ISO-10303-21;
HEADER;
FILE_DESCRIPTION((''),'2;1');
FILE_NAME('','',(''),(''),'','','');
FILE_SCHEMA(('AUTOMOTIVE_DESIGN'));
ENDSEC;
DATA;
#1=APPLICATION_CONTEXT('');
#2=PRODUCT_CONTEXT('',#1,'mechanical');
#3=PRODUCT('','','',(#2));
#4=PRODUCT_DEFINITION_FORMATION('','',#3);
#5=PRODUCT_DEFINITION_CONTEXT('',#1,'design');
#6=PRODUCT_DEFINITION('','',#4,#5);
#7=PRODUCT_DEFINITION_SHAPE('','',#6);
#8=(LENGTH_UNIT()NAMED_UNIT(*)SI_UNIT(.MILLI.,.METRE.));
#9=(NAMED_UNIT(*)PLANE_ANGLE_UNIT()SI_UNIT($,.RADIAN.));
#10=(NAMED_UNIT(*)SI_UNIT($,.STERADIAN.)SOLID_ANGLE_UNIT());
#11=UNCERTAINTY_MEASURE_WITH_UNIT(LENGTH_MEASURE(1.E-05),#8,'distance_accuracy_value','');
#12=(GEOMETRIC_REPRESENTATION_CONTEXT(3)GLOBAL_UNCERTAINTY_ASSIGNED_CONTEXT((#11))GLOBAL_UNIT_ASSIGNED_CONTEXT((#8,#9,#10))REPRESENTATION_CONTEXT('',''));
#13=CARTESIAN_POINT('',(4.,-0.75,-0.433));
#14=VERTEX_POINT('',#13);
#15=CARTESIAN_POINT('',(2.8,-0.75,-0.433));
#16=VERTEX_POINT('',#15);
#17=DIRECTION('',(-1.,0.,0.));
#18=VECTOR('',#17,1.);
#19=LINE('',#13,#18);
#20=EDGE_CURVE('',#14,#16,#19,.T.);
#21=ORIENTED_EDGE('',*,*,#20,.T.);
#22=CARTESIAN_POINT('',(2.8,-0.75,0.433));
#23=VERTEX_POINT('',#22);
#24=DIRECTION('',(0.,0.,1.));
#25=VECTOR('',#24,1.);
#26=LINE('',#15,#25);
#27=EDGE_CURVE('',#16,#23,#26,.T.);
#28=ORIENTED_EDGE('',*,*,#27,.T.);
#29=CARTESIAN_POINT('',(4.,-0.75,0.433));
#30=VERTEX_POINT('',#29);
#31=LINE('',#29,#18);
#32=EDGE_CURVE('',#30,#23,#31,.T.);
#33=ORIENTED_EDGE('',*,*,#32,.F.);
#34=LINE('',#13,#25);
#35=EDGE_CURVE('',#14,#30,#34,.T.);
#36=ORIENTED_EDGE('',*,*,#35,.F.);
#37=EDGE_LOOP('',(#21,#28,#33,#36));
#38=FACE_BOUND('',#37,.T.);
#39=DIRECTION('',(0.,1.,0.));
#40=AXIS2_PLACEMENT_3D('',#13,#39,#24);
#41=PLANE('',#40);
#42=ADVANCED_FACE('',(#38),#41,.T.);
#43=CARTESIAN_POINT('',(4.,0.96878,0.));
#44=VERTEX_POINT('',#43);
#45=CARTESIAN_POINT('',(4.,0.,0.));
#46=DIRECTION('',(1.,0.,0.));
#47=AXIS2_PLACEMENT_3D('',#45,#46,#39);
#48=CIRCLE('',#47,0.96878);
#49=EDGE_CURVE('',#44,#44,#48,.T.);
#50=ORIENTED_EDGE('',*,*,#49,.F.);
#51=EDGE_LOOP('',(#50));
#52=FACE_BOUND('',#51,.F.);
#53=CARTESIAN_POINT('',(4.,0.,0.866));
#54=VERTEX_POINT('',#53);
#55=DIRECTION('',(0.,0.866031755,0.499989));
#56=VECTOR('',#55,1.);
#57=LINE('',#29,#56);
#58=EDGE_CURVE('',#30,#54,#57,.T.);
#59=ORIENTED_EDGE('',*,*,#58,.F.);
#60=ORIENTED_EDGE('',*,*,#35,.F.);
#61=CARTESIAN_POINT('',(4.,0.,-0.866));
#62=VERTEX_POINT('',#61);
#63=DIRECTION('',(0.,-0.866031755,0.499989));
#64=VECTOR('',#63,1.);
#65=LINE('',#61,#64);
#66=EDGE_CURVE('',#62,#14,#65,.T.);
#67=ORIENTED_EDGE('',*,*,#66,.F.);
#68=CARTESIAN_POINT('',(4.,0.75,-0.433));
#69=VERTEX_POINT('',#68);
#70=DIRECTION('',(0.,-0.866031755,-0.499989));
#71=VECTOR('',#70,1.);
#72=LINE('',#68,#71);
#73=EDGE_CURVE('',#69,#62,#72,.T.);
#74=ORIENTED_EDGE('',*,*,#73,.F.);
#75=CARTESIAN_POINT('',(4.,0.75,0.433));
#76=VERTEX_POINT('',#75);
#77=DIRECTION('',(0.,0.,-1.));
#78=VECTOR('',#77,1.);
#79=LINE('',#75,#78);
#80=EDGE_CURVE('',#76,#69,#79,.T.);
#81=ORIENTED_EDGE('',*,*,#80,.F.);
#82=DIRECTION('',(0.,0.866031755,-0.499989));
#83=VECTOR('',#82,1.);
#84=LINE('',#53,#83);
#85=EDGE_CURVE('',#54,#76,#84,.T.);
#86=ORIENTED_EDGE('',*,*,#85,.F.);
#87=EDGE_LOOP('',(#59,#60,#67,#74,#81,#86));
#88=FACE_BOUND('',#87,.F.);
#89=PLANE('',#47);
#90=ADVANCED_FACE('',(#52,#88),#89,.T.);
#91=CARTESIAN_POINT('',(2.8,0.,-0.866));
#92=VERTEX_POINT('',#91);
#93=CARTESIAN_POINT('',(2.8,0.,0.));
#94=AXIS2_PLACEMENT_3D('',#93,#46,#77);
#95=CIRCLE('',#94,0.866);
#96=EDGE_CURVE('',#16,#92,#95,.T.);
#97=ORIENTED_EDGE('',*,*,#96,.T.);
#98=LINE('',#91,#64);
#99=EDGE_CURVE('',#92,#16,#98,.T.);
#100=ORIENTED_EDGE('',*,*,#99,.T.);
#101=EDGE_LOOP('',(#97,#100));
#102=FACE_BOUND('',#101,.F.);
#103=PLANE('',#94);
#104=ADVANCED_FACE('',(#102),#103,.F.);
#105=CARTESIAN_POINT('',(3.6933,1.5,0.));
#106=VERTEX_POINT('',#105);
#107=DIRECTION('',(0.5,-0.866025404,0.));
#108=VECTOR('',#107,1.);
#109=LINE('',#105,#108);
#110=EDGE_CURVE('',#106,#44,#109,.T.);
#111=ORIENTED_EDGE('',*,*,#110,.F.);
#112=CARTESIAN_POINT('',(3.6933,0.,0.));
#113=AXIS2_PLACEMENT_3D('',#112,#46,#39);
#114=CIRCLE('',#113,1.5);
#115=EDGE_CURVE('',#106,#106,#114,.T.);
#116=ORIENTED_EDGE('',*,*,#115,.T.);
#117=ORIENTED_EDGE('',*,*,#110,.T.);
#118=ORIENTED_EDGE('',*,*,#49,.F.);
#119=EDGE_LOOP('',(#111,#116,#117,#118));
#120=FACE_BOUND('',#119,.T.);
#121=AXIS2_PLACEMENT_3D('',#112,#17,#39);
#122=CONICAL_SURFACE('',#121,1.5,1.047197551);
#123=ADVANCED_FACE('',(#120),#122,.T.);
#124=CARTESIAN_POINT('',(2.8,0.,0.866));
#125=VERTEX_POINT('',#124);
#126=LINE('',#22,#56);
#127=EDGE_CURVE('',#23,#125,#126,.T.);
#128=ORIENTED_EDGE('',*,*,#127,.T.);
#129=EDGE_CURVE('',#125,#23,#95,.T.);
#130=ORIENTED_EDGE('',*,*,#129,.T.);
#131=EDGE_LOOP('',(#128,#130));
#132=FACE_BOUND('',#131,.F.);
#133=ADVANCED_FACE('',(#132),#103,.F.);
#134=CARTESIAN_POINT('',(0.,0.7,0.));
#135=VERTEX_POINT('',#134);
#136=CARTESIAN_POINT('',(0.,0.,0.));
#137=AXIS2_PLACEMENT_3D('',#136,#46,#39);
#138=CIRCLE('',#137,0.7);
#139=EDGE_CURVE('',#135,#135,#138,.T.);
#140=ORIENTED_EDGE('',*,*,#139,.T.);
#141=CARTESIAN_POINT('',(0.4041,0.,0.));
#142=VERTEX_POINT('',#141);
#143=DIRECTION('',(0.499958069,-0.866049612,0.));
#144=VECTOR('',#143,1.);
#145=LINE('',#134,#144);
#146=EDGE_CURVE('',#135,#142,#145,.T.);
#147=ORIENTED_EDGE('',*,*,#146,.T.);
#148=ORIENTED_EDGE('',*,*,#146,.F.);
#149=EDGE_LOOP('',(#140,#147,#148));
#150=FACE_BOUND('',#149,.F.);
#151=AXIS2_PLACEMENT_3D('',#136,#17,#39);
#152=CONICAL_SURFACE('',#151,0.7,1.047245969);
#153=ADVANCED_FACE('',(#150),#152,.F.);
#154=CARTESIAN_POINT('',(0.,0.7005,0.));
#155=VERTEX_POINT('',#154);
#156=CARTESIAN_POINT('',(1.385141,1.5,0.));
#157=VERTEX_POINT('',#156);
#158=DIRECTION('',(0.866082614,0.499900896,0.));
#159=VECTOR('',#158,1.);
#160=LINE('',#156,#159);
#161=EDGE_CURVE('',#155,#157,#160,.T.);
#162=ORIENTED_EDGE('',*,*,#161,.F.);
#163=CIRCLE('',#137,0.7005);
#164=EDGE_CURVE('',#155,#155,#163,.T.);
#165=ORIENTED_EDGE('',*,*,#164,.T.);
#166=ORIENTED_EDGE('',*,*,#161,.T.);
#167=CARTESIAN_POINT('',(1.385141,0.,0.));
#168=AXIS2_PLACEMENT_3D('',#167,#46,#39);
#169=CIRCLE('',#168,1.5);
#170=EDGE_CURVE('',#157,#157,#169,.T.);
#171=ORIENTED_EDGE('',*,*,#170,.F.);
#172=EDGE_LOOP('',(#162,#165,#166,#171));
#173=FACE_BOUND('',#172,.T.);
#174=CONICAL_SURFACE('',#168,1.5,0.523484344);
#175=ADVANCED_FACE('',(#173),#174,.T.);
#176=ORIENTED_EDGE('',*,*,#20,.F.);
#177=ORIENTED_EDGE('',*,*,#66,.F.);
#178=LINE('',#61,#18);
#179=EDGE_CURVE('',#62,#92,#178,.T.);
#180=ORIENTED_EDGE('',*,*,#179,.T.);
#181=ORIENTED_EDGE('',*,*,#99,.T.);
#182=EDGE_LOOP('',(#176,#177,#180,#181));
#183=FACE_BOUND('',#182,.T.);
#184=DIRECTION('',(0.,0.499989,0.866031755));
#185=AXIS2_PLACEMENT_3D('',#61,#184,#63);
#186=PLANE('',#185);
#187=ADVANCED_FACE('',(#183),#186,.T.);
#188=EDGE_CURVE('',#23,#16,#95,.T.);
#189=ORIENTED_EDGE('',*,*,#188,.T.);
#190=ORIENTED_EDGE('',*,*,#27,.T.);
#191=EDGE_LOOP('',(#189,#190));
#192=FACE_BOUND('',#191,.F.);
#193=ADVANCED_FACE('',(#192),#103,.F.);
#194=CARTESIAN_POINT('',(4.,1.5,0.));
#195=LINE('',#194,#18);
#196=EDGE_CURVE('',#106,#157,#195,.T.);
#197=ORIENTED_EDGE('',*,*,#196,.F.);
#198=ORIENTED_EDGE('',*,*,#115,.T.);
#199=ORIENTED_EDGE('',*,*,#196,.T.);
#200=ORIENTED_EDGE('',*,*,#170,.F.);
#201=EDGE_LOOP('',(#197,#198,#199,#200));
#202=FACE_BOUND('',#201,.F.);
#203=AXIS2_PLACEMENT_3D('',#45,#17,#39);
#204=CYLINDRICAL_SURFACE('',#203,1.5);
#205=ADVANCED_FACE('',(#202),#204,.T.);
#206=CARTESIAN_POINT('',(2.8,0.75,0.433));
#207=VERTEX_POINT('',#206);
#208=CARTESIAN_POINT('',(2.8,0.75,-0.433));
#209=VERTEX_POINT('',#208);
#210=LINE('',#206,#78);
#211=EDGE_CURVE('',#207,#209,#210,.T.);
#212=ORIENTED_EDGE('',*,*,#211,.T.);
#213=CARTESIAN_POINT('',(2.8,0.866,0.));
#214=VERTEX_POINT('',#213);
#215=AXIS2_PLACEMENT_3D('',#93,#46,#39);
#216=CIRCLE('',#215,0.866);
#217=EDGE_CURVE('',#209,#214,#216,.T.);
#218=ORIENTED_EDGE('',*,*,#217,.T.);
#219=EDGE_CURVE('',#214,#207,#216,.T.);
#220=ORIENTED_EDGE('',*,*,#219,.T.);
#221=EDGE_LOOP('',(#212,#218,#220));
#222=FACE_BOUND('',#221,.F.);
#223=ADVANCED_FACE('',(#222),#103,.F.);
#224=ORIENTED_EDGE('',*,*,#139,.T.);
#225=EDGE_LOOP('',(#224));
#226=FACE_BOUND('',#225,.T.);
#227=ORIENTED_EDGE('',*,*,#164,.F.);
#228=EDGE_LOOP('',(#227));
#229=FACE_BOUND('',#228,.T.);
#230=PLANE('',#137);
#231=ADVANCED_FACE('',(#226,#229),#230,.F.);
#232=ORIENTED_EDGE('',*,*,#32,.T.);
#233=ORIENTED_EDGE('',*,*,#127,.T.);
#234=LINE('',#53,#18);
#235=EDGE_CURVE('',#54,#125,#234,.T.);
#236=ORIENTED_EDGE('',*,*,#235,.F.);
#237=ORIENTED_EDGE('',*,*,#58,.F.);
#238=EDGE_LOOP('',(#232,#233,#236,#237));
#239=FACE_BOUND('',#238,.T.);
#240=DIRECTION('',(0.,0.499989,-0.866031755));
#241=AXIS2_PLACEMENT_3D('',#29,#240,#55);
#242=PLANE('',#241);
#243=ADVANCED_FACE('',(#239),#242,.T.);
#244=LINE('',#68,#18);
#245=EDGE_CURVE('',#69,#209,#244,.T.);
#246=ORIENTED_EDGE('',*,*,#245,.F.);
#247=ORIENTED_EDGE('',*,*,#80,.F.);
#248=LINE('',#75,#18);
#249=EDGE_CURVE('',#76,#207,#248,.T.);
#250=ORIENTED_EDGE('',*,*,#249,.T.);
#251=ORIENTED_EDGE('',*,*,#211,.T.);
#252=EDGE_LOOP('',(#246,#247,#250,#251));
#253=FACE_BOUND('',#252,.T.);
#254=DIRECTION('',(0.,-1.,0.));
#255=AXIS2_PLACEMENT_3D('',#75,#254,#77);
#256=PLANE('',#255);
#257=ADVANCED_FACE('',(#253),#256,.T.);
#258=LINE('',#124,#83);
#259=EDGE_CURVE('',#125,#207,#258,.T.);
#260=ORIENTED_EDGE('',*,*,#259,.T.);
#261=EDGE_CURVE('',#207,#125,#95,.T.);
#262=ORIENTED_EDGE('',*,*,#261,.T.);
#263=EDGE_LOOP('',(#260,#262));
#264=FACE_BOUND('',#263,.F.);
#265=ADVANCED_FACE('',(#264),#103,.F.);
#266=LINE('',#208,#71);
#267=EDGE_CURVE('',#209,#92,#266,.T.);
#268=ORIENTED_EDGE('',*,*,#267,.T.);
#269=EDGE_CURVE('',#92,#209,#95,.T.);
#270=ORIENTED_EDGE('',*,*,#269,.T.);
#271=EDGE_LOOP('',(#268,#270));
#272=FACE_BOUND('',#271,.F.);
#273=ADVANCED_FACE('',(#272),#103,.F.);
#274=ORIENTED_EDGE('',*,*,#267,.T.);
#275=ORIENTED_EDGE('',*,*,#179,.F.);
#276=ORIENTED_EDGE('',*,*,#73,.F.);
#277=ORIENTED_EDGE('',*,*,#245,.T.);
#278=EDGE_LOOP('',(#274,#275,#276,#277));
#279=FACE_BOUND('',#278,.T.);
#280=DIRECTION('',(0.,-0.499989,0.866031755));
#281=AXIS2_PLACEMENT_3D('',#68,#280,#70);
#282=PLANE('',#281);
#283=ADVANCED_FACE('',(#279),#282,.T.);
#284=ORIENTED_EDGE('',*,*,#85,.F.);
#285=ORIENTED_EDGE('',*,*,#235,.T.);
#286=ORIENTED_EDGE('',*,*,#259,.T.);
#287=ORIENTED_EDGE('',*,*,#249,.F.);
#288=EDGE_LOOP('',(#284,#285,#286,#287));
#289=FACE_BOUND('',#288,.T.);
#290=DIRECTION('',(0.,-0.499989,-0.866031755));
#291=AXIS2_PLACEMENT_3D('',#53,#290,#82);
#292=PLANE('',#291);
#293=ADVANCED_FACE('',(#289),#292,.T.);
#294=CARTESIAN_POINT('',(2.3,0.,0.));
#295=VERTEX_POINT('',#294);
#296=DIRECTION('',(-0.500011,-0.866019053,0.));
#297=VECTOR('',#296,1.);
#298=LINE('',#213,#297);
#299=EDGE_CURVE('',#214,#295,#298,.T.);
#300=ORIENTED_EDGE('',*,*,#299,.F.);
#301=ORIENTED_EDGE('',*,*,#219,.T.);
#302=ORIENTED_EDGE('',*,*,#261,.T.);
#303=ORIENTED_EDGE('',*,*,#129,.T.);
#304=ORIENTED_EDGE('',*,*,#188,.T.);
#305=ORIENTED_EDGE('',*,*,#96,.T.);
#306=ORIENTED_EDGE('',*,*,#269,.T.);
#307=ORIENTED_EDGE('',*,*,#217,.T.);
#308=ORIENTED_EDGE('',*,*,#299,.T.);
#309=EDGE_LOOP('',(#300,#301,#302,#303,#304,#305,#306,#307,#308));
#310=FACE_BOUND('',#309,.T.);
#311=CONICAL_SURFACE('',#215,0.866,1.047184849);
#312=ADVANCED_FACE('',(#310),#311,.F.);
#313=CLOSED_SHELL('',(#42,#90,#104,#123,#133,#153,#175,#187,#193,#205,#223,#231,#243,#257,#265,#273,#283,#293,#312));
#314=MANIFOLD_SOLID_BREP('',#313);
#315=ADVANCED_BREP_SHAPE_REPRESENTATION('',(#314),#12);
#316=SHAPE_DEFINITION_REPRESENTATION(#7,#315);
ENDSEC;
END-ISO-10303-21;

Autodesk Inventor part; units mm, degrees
ref_plane "YZ Plane" through (0, 0, 0) normal (1, 0, 0) x (0, 1, 0)
ref_plane "XZ Plane" through (0, 0, 0) normal (0, 1, 0) x (-1, 0, 0)
sketch "Sketch1" plane through (0, 0, 0) normal (0, 0, 1) x (1, 0, 0)
  line L0 (0.4041, 0) -> (2.3, 0)
  line L1 (4, 0.866) -> (4, 1.5)
  line L2 (4, 1.5) -> (0, 1.5)
  line L3 (4, 0.866) -> (2.8, 0.866)
  line L4 (2.8, 0.866) -> (2.3, 0)
  line L5 (0, 0.7) -> (0.4041, 0)
  line L6 (0, -0.3) -> (0, 1.8) projected
  line L7 (0, 0.7) -> (0, 1.5)
  point P0 (0, 0)
  dimension "d0" = 1.2
  dimension "d1" = 60
  dimension "d2" = 3
  dimension "d3" = 1.7321
  dimension "d4" = 4
  dimension "d5" = 60
  dimension "d7" = 1.4
revolve "Body" add sketch "Sketch1" angle 360 about axis through (0.4041, 0, 0) along (1, 0, 0)
sketch "Sketch2" plane through (4, 0, 0) normal (1, 0, 0) x (0, 0, -1)
  circle A0 centre (0, 0) radius 0.866 projected
  circle A1 centre (0, 0) radius 1.5 projected
  line L0 (0.866, 0) -> (0.433, -0.75)
  line L1 (0.433, -0.75) -> (-0.433, -0.75)
  line L2 (-0.433, -0.75) -> (-0.866, 0)
  line L3 (-0.866, 0) -> (-0.433, 0.75)
  line L4 (-0.433, 0.75) -> (0.433, 0.75)
  line L5 (0.433, 0.75) -> (0.866, 0)
extrude "Slot" add sketch "Sketch2" against normal blind 1.2 contours L5 A0 | A0 L0 | L4 A0 | A0 L1 | L3 A0 | A0 L2
chamfer "Chamfer1" distance 0.8 angle 60 1 edges at (0, -1.5, 0) measured on face at (0, 1.2188, -0.1197)
thread "Thread" size "M3x0.5" class "6g" standard "ISO Metric profile" length 4
chamfer "Chamfer2" distance 0.3067 angle 60 1 edges at (4, -1.5, 0) measured on face at (2.2568, 1.4806, -0.2406)
ref_plane "Work Plane1" through (2, 0, 0) normal (0, -0.5, -0.866) x (1, 0, 0)
equation "\"d0\" = INTI"
equation "\"d2\" = NND"
equation "\"d3\" = 1.1547 * SW"
equation "\"d4\" = NLG"
equation "\"d5\" = 0.5 * ANG"
equation "\"d7\" = SPD"
equation "\"d8\" = INTI"
equation "\"d10\" = -0.5 * SPD + 0.5 * NND"
equation "\"d11\" = FAWI"
equation "\"d33\" = -0.5 * SPD + 0.5 * NND"
equation "\"d14\" = NLG"
equation "\"d12\" = -0.5 * GD1 + 0.5 * NND"
equation "\"d13\" = FAWI"
equation "\"d34\" = -0.5 * GD1 + 0.5 * NND"
equation "\"NND\" = 3"
equation "\"NLG\" = 4"
equation "\"INTI\" = 1.2"
equation "\"FAWI\" = 60deg"
equation "\"SW\" = 1.5"
equation "\"GD1\" = THREADDIA - 1.2269 * PTC"
equation "\"ANG\" = 120deg"
equation "\"FAWI1\" = 45deg"
equation "\"SPD\" = 1.4"
equation "\"GUL\" = 0.61345 * PTC"
equation "\"TOA\" = 30deg"
equation "\"THREADDIA\" = 3"
equation "\"PTC\" = 0.5"
equation "\"GAL\" = 0.61345 * PTC"
equation "\"E0\" = 1.155 * SW"
properties part number "DIN EN ISO 4029 - M3  x  4" material "Steel, Mild"
